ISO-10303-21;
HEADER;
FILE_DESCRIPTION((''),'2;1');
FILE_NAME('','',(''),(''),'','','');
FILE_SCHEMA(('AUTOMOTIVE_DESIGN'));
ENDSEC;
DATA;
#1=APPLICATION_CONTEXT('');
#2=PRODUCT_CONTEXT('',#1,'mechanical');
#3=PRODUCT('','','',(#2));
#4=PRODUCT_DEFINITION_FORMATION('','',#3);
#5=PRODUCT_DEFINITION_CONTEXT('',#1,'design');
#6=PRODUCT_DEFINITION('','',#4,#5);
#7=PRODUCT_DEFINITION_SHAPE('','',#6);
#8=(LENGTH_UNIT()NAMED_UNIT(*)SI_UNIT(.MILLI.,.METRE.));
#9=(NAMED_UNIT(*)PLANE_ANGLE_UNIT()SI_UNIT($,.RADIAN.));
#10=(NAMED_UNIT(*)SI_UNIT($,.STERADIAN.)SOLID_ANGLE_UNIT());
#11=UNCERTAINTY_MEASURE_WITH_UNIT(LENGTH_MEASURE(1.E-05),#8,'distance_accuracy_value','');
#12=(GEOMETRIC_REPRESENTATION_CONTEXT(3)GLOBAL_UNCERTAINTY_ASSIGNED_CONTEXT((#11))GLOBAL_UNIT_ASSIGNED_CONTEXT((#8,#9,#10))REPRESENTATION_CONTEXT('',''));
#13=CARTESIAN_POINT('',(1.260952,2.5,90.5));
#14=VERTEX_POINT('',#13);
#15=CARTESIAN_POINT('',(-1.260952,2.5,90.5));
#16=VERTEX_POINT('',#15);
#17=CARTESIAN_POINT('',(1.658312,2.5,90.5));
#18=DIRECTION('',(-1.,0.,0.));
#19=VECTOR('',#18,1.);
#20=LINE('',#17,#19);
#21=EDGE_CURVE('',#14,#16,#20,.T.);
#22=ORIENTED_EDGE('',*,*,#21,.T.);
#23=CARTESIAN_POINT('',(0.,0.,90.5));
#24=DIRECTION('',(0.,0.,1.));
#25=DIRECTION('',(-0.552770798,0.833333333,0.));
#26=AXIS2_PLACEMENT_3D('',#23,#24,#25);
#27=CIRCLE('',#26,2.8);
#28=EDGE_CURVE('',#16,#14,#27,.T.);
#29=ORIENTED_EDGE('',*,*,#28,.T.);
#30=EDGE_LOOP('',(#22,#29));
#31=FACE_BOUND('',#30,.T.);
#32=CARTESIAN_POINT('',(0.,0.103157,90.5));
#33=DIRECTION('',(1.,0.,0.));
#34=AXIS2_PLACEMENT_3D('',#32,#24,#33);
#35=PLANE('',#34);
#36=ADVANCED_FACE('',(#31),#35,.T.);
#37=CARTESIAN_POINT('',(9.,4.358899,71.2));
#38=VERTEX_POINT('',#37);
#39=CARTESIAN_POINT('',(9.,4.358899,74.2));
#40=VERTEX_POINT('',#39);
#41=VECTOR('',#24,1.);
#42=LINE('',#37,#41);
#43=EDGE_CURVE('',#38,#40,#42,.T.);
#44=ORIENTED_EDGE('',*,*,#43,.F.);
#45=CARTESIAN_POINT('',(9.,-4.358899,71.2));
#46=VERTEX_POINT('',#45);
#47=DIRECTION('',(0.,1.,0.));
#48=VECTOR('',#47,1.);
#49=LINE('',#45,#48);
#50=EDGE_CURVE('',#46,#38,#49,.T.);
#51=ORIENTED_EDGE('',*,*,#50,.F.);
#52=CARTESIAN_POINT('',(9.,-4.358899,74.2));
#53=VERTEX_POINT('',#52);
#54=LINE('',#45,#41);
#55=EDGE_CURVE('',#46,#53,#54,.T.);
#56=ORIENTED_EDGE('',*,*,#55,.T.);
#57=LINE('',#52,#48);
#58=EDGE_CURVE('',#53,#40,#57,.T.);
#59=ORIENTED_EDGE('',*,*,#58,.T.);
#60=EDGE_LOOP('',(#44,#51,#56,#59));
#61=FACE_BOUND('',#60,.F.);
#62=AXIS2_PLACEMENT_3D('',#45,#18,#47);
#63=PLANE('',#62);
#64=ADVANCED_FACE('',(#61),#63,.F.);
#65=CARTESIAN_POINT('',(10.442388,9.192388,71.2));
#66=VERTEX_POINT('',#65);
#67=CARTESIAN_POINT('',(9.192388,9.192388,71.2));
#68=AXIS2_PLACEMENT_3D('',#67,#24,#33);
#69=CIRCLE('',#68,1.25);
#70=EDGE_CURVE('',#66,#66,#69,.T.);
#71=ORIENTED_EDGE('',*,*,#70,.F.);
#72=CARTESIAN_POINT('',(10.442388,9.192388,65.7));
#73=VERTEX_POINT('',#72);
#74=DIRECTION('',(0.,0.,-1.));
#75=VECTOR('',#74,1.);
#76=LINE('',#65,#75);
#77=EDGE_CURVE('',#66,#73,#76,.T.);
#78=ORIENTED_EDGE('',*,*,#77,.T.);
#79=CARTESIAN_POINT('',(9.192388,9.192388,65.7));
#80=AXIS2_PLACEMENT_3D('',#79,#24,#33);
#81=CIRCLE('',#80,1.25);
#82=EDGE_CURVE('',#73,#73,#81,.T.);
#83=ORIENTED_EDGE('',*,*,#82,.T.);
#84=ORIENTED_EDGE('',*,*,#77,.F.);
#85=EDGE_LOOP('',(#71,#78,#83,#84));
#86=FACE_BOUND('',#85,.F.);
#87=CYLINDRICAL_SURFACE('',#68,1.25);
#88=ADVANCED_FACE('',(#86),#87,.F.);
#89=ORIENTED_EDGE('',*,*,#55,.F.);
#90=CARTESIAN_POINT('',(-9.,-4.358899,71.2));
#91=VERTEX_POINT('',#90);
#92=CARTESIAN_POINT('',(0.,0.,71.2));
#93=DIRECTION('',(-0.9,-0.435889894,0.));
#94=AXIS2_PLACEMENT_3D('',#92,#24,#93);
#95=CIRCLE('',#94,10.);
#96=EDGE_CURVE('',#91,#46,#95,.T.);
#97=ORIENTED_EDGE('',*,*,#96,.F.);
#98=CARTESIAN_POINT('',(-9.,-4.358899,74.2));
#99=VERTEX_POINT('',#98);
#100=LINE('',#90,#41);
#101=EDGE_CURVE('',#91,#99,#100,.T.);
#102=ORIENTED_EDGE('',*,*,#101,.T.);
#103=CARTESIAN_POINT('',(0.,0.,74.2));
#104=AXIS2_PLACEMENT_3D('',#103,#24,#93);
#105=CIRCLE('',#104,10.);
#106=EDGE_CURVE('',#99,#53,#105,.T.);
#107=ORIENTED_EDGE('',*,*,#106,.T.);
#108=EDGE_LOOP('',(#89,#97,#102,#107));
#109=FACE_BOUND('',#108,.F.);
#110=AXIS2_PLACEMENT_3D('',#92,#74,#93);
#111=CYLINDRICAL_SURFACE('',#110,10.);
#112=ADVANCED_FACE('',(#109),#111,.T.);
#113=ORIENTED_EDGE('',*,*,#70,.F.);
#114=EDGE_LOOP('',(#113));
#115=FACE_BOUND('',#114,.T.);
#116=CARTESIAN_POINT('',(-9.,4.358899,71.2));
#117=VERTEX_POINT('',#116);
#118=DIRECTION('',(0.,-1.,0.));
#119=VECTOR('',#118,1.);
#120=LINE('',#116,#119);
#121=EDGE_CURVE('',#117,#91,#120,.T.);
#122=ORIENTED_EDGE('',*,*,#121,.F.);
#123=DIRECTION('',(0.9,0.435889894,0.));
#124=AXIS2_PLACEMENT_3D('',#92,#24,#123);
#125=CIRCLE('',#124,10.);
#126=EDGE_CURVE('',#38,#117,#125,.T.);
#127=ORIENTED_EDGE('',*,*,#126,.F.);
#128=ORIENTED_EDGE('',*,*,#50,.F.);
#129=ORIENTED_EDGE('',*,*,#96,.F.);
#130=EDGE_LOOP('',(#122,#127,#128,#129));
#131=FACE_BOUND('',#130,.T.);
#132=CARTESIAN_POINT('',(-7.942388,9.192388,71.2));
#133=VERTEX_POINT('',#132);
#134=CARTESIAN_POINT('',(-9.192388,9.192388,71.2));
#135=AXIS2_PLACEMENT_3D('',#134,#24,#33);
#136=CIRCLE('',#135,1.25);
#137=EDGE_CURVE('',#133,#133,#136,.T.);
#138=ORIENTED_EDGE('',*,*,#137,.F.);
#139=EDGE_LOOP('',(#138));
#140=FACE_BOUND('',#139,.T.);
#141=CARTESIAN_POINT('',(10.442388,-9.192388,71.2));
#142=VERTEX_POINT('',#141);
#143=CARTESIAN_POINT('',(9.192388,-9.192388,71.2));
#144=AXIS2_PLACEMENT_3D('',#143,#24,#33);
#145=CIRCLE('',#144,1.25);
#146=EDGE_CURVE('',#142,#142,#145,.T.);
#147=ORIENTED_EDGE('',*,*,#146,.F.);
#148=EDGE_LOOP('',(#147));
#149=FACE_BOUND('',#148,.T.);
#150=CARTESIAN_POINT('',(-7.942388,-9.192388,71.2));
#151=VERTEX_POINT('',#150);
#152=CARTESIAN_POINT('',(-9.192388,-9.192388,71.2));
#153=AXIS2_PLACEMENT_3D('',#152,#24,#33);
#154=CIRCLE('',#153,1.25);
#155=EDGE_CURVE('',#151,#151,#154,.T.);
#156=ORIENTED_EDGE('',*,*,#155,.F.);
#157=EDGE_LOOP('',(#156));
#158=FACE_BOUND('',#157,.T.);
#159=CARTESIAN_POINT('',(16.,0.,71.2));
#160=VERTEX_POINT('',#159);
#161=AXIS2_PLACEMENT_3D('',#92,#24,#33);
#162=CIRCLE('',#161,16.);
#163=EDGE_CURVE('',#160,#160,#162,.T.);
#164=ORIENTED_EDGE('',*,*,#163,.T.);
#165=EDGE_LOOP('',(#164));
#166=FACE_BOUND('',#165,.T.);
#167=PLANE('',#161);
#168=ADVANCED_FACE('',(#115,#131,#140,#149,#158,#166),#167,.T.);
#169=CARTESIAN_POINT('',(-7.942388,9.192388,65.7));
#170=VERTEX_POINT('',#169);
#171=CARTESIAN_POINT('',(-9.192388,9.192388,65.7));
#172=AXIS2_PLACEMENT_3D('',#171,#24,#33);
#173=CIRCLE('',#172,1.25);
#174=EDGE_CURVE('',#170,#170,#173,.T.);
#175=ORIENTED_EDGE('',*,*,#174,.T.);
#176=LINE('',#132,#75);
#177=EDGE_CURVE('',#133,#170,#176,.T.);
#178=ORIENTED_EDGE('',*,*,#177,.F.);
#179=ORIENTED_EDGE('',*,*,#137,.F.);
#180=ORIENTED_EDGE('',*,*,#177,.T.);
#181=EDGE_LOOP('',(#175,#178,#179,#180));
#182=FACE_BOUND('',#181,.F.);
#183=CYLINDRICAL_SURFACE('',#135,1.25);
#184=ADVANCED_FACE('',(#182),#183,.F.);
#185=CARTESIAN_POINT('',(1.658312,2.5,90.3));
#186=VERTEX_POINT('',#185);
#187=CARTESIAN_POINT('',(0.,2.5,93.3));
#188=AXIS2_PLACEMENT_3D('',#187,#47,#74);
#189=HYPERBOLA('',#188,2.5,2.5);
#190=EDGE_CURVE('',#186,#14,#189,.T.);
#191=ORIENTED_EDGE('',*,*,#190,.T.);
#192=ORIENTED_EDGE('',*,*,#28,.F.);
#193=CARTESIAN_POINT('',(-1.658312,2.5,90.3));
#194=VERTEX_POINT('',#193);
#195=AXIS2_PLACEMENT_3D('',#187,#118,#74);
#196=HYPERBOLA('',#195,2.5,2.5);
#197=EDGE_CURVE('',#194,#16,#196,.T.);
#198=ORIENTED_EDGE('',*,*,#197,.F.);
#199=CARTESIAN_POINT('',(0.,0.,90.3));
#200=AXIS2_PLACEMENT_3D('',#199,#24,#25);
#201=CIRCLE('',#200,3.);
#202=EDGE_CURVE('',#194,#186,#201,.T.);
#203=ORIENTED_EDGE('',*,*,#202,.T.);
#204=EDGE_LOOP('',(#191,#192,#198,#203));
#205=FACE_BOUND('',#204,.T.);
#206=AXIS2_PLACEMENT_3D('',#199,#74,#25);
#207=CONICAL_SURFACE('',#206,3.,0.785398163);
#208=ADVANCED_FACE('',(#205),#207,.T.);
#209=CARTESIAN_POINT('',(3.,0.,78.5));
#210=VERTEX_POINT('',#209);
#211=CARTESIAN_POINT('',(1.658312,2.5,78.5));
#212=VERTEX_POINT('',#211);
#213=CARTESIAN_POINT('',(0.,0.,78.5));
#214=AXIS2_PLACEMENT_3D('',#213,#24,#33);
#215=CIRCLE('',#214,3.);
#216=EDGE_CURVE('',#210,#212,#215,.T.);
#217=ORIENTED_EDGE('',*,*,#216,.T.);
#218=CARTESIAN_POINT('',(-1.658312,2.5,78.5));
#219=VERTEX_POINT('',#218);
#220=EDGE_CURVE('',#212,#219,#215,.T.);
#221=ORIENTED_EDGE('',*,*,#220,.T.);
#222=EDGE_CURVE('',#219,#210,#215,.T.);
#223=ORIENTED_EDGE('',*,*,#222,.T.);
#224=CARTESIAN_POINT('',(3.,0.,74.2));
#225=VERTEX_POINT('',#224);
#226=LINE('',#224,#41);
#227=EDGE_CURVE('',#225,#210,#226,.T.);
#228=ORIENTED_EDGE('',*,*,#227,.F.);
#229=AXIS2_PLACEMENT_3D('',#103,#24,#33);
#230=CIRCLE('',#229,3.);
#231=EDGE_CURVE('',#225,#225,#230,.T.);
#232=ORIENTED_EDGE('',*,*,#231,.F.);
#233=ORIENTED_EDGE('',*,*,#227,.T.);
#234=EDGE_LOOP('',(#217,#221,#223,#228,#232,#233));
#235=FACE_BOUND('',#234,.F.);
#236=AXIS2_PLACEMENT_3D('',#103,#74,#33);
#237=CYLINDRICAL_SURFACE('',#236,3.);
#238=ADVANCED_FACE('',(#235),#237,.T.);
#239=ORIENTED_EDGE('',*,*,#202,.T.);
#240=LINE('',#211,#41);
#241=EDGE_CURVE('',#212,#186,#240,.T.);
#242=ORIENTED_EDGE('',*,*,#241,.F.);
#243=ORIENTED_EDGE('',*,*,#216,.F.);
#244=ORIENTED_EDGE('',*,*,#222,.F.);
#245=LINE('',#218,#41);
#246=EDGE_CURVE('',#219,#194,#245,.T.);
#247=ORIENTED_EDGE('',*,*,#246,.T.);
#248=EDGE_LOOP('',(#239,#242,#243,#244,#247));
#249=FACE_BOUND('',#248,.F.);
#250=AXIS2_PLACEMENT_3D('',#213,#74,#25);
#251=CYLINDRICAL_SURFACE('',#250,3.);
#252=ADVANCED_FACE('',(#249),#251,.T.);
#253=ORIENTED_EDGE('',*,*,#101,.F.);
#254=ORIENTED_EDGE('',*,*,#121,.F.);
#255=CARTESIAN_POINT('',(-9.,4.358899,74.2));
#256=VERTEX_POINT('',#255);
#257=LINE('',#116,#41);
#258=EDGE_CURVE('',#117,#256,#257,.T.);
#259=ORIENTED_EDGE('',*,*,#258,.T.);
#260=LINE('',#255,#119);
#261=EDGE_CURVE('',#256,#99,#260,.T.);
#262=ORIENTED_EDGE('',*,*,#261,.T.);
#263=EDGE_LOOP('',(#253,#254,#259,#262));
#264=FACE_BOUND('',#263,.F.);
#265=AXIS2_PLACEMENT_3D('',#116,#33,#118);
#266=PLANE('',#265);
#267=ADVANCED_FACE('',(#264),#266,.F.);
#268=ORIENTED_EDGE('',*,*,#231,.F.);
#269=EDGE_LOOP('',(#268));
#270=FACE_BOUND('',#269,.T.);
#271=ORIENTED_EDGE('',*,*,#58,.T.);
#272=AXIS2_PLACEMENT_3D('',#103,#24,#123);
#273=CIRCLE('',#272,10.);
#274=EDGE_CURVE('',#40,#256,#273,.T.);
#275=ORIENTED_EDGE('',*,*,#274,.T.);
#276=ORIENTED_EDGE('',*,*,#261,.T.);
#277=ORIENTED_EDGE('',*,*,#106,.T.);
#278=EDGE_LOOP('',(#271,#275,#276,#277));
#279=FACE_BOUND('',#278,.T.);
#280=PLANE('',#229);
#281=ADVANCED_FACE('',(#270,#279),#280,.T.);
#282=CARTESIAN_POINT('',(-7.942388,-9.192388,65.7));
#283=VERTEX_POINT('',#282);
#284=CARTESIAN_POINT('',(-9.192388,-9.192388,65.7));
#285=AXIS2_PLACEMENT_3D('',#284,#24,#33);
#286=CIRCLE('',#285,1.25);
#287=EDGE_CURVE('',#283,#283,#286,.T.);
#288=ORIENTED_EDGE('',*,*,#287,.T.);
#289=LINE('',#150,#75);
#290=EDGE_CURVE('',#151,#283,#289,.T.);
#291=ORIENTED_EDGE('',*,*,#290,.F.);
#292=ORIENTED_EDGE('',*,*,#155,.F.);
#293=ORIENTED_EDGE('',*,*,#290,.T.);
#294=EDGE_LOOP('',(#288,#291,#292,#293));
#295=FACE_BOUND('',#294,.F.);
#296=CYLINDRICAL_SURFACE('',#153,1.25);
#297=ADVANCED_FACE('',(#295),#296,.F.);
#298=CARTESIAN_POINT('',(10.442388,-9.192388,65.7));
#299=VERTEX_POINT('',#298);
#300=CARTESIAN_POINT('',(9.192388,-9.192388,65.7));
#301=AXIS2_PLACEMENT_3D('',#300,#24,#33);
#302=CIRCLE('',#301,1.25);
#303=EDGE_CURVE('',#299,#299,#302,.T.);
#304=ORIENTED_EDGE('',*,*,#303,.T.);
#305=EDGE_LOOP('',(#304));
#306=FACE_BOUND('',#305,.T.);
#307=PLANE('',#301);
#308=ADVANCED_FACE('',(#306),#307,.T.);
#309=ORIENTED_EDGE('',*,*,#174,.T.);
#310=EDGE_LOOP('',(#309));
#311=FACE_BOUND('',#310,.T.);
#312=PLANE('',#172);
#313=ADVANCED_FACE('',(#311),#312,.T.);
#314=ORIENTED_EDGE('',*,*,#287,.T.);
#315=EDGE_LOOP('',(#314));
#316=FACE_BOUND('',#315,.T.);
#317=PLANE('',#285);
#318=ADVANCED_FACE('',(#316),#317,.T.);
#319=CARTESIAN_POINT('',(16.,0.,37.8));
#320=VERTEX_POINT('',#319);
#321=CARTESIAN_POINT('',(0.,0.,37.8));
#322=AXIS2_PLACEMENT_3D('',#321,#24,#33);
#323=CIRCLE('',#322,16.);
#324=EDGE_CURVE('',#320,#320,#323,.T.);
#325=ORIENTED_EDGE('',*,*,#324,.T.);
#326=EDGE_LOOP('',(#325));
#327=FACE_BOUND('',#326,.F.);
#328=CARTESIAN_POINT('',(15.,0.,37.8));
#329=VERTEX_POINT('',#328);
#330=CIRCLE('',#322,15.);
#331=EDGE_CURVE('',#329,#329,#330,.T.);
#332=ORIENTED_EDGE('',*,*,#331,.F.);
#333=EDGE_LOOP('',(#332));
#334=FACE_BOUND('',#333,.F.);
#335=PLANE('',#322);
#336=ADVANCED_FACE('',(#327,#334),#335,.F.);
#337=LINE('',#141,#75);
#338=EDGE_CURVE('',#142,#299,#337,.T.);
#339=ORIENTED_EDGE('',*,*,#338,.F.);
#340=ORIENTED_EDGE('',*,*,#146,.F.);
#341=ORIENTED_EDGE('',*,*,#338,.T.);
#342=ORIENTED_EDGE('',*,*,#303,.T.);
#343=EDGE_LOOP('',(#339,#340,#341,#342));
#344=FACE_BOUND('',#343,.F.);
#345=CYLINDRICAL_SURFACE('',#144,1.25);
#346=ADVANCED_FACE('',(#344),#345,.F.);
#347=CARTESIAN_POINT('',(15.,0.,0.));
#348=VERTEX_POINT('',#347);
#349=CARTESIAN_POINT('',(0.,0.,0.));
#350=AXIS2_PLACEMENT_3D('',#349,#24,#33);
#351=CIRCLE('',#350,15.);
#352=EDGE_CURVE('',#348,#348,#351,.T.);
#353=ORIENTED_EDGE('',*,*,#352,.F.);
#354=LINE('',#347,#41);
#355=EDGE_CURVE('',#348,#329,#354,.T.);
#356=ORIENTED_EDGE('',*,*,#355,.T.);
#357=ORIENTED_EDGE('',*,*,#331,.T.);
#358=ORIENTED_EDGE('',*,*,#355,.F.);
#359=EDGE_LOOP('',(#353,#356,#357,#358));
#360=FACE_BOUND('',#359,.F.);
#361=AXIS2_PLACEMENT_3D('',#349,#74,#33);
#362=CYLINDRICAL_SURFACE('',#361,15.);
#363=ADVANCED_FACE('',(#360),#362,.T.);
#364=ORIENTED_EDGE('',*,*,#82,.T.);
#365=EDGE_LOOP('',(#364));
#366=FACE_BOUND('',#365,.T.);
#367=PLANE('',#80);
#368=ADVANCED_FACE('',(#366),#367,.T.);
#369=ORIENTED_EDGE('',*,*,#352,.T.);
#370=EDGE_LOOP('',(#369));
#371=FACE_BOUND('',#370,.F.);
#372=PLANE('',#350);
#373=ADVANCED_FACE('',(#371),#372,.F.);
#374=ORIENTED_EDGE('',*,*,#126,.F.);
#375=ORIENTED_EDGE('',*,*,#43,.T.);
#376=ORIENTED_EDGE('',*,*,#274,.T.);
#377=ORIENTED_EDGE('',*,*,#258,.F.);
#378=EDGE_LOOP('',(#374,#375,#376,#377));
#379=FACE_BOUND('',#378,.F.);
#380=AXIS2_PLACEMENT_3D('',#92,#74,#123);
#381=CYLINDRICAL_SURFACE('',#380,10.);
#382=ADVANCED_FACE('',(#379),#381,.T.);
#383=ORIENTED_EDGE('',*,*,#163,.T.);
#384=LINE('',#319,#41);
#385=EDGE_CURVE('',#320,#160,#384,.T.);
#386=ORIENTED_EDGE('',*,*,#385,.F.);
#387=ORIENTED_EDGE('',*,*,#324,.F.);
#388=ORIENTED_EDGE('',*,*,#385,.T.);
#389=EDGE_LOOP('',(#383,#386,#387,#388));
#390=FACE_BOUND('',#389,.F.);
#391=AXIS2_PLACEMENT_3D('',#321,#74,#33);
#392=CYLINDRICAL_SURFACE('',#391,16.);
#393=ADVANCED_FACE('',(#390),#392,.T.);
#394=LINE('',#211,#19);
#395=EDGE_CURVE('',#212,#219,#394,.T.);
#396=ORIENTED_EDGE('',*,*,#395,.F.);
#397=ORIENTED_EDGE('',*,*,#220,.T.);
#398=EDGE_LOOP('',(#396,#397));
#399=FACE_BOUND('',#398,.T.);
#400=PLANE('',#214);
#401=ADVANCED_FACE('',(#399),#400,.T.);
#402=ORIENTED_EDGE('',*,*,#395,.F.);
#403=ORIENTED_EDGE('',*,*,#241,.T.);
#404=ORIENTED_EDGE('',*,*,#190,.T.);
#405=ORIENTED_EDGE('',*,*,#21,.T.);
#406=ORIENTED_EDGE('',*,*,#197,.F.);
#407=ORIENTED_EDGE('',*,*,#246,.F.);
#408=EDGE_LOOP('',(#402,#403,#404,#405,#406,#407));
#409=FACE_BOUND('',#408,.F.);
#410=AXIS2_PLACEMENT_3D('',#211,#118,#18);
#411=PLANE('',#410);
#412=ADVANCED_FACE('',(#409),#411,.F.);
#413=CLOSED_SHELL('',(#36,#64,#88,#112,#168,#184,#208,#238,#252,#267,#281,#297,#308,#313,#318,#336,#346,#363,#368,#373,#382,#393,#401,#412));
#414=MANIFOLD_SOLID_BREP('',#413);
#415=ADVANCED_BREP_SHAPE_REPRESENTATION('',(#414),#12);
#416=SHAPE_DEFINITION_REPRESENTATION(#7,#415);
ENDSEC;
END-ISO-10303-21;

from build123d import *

# Parameters (mm, degrees)
F0_R      = 15
F1_DEPTH  = 37.8
F2_R      = 16
F3_DEPTH  = 33.4
F5_DEPTH  = 3
F6_R      = 3
F7_DEPTH  = 4.3
F9_DEPTH  = 12
F10_SIZE  = 0.2
F11_R     = 1.25
F12_DEPTH = 5.5


with BuildPart() as f1:
    # F0 (on Top) → F1 (new body)
    with BuildSketch(Plane.XY):
        Circle(F0_R)
    extrude(amount=F1_DEPTH)

    # F2 (on face) → F3 (join)
    with BuildSketch(Plane.XY.offset(37.8)):
        Circle(F2_R)
    extrude(amount=F3_DEPTH)

    # F4 (on face) → F5 (join)
    with BuildSketch(Plane.XY.offset(71.2)):
        with BuildLine():
            Line((-9, 4.3588989435), (-9, -4.3588989435))
            ThreePointArc((-9, -4.3588989435), (0, -10), (9, -4.3588989435))
            Line((9, -4.3588989435), (9, 4.3588989435))
            ThreePointArc((9, 4.3588989435), (0, 10), (-9, 4.3588989435))
        make_face()
    extrude(amount=F5_DEPTH)

    # F6 (on face) → F7 (join)
    with BuildSketch(Plane.XY.offset(74.2)):
        Circle(F6_R)
    extrude(amount=F7_DEPTH)

    # F8 (on face) → F9 (join)
    with BuildSketch(Plane.XY.offset(78.5)):
        with BuildLine():
            Line((1.6583123952, 2.5), (-1.6583123952, 2.5))
            ThreePointArc((-1.6583123952, 2.5), (0, -3), (1.6583123952, 2.5))
        make_face()
    extrude(amount=F9_DEPTH)

    # F10
    f10_edges = [f1.edges().sort_by_distance(p)[0] for p in [
        (0, -3, 90.5),
    ]]
    chamfer(f10_edges, length=F10_SIZE)

    # F11 (on face) → F12 (cut)
    with BuildSketch(Plane.XY.offset(71.2)):
        with Locations((9.1923881554, -9.1923881554)):
            Circle(F11_R)
        with Locations((-9.1923881554, -9.1923881554)):
            Circle(F11_R)
        with Locations((9.1923881554, 9.1923881554)):
            Circle(F11_R)
        with Locations((-9.1923881554, 9.1923881554)):
            Circle(F11_R)
    extrude(amount=-F12_DEPTH, mode=Mode.SUBTRACT)


solid = f1.part
